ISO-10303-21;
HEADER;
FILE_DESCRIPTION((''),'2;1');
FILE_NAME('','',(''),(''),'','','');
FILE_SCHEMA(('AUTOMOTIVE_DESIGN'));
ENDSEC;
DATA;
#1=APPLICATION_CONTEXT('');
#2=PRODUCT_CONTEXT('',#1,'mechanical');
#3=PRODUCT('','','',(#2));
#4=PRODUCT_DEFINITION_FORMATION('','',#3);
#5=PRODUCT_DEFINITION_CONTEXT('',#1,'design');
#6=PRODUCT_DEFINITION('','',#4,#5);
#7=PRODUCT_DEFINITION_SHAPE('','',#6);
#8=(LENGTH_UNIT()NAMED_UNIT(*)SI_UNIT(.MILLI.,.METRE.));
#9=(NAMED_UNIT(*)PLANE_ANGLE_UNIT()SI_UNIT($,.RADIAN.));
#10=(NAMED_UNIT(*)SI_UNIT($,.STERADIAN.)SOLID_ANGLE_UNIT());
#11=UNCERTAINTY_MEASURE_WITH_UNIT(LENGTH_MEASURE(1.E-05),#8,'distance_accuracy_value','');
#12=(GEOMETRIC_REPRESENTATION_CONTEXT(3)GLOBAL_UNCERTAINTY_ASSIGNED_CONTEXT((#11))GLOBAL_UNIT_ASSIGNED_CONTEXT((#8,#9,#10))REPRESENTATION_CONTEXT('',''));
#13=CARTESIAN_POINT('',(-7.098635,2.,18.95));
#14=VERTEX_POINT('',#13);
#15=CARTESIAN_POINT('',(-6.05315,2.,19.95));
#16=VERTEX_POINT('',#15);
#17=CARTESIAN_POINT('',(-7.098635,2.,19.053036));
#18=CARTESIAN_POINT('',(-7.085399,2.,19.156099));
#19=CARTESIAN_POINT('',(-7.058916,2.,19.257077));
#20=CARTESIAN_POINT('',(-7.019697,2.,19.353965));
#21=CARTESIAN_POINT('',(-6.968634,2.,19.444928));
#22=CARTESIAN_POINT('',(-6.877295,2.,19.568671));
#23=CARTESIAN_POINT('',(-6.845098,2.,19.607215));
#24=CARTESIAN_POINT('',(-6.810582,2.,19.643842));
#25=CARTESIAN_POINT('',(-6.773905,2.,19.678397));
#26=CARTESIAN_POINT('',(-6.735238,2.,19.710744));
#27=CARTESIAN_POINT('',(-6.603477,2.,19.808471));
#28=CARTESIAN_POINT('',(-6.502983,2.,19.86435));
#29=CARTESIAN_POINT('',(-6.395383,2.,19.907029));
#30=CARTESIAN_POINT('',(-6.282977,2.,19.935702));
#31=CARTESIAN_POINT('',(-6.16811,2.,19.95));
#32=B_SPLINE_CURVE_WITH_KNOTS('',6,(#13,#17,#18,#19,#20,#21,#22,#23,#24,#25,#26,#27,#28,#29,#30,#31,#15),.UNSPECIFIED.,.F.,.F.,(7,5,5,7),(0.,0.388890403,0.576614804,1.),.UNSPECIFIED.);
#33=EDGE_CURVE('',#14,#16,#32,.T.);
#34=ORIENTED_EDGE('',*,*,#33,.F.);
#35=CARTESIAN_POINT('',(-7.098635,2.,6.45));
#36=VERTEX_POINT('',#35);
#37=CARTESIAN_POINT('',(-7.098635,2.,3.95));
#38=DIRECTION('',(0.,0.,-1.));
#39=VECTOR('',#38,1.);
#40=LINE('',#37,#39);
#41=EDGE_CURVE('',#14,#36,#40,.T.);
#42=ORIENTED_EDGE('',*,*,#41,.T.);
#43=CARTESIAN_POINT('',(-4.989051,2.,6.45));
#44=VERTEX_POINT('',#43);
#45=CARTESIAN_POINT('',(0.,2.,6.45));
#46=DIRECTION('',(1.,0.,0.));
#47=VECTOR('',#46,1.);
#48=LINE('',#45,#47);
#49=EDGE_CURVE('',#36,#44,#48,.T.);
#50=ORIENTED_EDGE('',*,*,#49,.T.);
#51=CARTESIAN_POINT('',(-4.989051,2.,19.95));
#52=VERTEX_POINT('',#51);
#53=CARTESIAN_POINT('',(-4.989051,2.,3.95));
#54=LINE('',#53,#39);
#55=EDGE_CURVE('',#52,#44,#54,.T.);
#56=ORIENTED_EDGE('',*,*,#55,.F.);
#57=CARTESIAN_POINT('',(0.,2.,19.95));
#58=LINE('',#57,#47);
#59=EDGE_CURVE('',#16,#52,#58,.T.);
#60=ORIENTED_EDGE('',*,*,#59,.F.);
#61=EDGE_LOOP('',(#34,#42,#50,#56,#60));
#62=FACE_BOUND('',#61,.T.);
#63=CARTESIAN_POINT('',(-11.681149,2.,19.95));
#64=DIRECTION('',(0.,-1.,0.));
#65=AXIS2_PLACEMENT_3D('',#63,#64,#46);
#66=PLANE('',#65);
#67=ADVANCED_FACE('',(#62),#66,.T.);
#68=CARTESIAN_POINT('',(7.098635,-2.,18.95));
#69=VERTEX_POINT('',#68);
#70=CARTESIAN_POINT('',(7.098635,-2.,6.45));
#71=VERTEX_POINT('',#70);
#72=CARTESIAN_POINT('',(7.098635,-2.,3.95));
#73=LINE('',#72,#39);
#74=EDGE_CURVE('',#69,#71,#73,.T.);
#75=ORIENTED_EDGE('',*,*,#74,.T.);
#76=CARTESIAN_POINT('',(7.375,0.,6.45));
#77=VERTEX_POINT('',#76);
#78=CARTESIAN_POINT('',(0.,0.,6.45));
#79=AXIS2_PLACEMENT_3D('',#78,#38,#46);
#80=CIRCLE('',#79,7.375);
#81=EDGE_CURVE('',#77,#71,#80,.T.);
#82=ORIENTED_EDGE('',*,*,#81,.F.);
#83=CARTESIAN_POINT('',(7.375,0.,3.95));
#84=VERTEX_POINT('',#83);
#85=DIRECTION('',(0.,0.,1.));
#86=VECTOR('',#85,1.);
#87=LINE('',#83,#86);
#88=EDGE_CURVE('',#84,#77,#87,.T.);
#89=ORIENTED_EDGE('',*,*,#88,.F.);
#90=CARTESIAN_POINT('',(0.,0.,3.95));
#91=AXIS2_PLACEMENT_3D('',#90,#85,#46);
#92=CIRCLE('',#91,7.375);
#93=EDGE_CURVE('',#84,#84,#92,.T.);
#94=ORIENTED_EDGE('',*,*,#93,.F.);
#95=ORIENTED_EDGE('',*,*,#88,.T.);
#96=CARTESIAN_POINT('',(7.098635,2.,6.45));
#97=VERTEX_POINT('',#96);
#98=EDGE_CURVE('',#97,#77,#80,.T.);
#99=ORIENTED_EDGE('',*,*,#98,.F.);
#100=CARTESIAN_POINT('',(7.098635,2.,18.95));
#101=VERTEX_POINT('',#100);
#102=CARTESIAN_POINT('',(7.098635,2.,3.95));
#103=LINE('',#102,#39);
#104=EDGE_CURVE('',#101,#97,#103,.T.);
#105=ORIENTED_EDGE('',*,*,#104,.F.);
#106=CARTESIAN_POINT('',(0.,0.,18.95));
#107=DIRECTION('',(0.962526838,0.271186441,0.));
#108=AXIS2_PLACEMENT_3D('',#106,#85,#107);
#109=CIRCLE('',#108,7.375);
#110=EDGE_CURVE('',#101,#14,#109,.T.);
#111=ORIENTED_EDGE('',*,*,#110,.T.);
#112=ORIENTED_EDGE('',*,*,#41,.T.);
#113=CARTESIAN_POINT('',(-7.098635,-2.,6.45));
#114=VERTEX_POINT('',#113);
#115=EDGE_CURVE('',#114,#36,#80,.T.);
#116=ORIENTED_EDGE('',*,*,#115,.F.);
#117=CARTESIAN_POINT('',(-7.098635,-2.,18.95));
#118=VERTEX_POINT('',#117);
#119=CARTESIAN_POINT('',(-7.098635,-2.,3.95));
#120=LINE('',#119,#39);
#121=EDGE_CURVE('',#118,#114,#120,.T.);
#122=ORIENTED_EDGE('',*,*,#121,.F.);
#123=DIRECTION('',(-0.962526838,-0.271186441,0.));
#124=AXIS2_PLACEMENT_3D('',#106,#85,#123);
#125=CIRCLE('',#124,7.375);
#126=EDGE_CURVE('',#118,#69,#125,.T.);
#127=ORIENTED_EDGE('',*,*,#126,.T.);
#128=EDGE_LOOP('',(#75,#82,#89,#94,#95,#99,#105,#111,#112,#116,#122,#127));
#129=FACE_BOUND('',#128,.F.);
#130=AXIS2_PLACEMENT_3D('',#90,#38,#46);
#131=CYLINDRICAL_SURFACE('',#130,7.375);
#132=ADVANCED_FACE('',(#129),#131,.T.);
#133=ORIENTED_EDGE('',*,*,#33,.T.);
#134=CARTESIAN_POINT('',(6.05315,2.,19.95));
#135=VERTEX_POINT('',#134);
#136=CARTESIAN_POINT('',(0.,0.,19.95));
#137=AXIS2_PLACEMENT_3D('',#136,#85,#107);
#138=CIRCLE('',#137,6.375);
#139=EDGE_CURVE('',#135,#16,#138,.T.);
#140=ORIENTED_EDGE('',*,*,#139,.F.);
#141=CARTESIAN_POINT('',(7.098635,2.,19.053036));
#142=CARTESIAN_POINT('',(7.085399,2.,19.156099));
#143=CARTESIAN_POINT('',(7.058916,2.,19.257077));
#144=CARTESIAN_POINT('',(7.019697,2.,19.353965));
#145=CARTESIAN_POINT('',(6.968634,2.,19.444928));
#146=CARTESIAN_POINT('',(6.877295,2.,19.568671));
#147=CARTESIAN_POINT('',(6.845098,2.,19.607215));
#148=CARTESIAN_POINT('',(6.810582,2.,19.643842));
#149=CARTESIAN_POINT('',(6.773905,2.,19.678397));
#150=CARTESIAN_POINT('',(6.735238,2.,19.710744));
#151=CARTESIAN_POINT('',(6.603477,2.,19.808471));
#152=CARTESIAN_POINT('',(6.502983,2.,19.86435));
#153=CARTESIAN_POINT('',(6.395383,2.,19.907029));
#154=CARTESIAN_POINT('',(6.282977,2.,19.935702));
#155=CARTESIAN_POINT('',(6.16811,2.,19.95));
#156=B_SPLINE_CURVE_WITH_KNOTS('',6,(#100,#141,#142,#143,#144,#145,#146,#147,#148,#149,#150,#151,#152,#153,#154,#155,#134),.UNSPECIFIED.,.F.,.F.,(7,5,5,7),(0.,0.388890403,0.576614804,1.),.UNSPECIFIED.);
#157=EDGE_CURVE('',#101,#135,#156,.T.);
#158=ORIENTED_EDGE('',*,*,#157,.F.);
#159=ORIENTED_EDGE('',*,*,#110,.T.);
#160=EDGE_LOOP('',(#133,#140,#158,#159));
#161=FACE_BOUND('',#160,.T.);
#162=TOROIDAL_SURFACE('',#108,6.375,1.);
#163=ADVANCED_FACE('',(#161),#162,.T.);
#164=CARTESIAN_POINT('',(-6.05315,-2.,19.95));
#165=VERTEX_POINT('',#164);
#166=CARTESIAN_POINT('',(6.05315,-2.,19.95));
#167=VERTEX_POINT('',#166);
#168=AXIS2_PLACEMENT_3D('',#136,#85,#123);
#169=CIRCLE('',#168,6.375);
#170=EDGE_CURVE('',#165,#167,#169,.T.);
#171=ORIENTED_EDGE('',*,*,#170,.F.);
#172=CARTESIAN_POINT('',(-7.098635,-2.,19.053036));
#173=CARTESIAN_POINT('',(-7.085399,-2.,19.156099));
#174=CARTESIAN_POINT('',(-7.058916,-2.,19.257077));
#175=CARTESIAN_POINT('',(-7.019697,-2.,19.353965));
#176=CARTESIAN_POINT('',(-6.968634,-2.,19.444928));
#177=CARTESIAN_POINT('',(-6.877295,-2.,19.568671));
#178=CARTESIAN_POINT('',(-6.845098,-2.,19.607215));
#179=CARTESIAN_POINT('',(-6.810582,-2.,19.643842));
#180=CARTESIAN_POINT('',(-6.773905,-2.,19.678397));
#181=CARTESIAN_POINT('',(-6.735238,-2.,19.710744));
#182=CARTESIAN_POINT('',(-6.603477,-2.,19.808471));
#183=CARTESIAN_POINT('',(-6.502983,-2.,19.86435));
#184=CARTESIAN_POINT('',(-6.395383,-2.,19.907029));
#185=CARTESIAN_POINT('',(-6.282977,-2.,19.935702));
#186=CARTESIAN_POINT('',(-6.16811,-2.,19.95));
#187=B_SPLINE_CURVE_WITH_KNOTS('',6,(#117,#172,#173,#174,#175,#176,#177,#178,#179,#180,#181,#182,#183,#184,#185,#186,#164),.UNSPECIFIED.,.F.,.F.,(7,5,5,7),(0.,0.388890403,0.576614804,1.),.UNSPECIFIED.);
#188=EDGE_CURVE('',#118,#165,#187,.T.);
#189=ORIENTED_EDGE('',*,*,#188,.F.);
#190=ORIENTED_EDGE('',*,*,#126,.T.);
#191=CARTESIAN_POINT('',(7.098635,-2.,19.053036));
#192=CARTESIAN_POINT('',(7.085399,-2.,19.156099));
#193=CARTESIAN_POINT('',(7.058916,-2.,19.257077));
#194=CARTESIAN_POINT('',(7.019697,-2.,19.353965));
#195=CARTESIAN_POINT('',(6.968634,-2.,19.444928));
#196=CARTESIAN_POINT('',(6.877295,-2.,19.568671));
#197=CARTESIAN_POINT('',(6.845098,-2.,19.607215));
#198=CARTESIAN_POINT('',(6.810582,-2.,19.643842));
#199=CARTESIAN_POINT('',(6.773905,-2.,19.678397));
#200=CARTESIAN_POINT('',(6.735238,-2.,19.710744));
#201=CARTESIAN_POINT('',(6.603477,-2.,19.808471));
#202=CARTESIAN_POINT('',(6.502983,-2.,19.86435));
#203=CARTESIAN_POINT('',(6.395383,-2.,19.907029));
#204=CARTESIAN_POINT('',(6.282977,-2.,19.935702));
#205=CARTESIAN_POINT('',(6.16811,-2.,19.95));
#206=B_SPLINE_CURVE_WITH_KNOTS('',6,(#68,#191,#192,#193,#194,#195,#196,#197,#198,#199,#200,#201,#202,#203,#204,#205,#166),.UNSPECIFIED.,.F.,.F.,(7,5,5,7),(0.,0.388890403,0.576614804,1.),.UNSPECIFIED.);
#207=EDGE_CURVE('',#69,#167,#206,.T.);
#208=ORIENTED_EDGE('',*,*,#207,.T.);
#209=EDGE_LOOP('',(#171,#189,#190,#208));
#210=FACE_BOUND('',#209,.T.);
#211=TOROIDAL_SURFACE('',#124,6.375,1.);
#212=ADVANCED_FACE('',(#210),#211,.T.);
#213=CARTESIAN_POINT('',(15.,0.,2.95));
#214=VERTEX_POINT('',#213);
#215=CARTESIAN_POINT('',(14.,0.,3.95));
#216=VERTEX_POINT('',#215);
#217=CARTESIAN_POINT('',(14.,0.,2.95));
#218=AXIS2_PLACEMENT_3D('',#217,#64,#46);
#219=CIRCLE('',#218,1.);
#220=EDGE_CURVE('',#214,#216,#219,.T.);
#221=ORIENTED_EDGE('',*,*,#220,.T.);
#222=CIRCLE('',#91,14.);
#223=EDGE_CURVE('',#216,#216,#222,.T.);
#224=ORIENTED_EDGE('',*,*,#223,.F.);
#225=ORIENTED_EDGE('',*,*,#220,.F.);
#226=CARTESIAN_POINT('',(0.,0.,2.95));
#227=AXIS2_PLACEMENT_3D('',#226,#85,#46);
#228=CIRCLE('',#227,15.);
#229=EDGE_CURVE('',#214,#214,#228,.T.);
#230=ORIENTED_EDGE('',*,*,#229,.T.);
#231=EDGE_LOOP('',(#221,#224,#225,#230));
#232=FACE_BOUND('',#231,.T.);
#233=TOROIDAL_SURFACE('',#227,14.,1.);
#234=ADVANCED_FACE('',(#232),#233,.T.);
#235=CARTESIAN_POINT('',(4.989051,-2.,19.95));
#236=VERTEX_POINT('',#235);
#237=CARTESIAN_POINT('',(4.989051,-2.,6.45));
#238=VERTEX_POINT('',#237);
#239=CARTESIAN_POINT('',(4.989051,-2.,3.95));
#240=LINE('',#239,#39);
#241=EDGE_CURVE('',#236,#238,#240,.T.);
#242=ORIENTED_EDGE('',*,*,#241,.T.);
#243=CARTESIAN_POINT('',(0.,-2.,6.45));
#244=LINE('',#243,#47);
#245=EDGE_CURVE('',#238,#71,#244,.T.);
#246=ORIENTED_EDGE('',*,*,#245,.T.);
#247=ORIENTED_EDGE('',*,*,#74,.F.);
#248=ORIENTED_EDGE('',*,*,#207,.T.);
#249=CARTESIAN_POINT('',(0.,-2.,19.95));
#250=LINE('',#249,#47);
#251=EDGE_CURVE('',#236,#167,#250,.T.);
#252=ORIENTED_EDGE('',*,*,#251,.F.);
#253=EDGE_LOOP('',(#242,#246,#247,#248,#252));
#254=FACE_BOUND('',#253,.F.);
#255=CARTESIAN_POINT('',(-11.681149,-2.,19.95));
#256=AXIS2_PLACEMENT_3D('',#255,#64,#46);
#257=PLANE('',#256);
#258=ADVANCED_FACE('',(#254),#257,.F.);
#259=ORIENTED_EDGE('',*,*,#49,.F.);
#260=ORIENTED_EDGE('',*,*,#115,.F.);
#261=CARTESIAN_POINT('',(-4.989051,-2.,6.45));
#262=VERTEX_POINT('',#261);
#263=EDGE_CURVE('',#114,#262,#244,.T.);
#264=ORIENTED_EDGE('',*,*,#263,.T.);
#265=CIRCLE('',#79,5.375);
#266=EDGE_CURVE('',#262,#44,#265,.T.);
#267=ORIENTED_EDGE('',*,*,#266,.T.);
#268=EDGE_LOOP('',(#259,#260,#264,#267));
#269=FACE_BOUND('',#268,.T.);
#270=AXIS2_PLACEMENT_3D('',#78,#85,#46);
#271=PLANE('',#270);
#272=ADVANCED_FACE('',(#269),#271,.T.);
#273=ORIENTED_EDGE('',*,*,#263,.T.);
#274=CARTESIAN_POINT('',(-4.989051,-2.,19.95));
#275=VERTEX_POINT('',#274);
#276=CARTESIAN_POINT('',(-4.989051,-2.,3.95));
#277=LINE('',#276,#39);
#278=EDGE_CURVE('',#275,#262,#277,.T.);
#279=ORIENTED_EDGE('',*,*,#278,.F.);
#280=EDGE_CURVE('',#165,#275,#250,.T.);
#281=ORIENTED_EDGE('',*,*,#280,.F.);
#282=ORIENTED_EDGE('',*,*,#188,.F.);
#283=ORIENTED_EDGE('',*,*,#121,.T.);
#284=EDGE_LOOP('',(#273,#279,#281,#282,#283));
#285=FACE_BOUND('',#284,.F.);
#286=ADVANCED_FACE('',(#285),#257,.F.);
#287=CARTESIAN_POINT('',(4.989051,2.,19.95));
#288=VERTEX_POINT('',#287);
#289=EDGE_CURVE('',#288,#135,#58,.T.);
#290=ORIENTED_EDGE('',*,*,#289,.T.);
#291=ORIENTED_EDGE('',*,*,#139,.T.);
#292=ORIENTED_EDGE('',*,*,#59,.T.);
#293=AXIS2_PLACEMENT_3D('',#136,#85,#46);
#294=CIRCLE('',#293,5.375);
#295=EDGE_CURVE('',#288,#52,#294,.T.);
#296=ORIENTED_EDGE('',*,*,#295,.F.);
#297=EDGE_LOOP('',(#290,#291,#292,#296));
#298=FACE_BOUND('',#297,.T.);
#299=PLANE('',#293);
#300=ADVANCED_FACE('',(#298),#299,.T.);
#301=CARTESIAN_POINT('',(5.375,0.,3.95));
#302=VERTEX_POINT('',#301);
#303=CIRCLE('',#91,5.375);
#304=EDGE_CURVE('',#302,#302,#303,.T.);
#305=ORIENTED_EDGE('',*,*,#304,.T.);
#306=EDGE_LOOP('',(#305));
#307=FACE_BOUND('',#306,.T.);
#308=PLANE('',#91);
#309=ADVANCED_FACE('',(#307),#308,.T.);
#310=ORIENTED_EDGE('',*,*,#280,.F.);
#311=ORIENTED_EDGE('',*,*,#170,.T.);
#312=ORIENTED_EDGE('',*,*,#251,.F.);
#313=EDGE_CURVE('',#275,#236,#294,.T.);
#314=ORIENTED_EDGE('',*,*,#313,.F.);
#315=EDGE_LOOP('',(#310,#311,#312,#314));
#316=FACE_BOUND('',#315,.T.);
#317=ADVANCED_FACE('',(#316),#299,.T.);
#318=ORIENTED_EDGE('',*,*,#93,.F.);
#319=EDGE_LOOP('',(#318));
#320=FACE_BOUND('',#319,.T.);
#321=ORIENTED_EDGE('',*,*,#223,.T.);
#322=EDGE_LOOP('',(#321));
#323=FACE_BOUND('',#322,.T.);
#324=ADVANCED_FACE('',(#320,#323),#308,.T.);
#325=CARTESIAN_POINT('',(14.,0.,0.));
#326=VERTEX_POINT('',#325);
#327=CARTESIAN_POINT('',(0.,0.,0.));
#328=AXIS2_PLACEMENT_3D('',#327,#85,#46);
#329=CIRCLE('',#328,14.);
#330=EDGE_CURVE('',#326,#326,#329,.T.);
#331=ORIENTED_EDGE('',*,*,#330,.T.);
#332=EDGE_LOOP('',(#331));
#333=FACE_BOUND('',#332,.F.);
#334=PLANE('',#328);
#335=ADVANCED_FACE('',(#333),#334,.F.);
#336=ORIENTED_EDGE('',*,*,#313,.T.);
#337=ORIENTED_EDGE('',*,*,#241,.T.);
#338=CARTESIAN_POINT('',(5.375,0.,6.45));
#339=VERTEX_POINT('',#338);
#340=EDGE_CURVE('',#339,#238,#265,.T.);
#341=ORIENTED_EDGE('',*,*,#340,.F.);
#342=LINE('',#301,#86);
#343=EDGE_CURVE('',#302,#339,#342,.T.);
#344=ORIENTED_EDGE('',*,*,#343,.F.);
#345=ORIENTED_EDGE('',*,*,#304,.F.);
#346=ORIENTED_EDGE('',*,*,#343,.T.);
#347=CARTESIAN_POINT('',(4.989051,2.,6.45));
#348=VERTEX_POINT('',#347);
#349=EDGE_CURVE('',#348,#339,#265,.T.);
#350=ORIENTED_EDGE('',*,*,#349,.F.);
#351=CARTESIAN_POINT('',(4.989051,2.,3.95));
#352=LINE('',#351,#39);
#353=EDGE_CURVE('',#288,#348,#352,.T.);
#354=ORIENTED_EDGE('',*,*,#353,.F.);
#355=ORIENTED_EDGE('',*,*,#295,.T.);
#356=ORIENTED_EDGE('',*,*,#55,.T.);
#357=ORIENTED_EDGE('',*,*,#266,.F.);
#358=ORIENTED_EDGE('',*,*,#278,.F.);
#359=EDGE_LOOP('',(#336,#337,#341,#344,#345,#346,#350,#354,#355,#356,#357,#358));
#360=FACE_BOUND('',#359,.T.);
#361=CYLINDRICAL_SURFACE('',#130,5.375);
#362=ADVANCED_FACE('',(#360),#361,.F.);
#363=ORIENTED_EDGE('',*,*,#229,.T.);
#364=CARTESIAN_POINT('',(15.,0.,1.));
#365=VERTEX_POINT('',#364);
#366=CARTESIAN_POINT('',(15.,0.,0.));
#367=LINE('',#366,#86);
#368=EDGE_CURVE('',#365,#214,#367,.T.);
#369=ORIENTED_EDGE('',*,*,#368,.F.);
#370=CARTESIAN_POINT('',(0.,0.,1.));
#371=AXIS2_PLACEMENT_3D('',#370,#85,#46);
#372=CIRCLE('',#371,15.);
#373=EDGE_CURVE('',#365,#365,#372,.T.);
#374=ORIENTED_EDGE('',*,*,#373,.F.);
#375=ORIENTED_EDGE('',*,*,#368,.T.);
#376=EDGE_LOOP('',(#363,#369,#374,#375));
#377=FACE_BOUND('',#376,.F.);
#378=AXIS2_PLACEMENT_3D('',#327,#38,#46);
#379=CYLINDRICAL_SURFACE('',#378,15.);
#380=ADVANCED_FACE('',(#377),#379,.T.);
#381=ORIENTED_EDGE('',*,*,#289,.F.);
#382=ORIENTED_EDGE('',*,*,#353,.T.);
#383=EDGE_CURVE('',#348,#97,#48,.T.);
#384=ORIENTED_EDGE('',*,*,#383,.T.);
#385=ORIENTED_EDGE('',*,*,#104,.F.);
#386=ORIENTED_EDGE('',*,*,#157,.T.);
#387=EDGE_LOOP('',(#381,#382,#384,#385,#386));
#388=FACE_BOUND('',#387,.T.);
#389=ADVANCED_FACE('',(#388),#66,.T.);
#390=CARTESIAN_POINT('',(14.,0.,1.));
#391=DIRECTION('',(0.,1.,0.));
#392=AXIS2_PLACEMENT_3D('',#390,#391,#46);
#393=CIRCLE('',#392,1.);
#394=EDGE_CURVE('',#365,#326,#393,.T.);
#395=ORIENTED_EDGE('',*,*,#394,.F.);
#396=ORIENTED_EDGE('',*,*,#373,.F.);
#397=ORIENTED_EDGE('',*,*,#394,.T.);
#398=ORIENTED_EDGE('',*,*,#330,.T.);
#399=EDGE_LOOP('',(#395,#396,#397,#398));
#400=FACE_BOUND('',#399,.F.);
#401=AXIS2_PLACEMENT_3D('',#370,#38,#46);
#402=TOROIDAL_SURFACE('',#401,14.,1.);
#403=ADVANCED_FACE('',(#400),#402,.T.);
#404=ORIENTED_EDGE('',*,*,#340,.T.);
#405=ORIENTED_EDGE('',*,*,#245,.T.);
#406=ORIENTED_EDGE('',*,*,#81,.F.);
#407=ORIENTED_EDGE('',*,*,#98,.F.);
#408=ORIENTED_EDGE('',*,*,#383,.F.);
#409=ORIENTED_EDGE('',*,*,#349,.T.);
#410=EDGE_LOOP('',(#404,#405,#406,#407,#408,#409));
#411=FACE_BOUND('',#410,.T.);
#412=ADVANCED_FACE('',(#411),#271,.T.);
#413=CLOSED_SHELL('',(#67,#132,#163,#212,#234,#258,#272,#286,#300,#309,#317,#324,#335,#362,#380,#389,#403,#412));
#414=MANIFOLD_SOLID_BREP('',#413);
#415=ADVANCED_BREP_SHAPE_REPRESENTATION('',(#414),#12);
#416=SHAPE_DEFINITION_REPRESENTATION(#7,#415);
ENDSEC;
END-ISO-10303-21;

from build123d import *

# Parameters (mm, degrees)
F0_R     = 15
F1_DEPTH = 3.95
F2_R     = 7.375
F2_R_2   = 5.375
F3_DEPTH = 16
F4_W     = 23.3622987423
F4_H     = 4
F5_DEPTH = 13.5
F6_R     = 1


with BuildPart() as f1:
    # F0 (on Top) → F1 (new body)
    with BuildSketch(Plane.XY):
        Circle(F0_R)
    extrude(amount=F1_DEPTH)

    # F2 (on face) → F3 (join)
    with BuildSketch(Plane.XY.offset(3.95)):
        Circle(F2_R)
        Circle(F2_R_2, mode=Mode.SUBTRACT)
    extrude(amount=F3_DEPTH)

    # F4 (on face) → F5 (cut, through all)
    with BuildSketch(Plane.XY.offset(19.95)):
        Rectangle(F4_W, F4_H)
    extrude(amount=-F5_DEPTH, mode=Mode.SUBTRACT)

    # F6
    f6_edges = [f1.edges().sort_by_distance(p)[0] for p in [
        (0, -7.375, 19.95),
        (0, 7.375, 19.95),
        (15, 0, 1.975),
        (-15, 0, 0),
        (-15, 0, 3.95),
    ]]
    fillet(f6_edges, radius=F6_R)


solid = f1.part
